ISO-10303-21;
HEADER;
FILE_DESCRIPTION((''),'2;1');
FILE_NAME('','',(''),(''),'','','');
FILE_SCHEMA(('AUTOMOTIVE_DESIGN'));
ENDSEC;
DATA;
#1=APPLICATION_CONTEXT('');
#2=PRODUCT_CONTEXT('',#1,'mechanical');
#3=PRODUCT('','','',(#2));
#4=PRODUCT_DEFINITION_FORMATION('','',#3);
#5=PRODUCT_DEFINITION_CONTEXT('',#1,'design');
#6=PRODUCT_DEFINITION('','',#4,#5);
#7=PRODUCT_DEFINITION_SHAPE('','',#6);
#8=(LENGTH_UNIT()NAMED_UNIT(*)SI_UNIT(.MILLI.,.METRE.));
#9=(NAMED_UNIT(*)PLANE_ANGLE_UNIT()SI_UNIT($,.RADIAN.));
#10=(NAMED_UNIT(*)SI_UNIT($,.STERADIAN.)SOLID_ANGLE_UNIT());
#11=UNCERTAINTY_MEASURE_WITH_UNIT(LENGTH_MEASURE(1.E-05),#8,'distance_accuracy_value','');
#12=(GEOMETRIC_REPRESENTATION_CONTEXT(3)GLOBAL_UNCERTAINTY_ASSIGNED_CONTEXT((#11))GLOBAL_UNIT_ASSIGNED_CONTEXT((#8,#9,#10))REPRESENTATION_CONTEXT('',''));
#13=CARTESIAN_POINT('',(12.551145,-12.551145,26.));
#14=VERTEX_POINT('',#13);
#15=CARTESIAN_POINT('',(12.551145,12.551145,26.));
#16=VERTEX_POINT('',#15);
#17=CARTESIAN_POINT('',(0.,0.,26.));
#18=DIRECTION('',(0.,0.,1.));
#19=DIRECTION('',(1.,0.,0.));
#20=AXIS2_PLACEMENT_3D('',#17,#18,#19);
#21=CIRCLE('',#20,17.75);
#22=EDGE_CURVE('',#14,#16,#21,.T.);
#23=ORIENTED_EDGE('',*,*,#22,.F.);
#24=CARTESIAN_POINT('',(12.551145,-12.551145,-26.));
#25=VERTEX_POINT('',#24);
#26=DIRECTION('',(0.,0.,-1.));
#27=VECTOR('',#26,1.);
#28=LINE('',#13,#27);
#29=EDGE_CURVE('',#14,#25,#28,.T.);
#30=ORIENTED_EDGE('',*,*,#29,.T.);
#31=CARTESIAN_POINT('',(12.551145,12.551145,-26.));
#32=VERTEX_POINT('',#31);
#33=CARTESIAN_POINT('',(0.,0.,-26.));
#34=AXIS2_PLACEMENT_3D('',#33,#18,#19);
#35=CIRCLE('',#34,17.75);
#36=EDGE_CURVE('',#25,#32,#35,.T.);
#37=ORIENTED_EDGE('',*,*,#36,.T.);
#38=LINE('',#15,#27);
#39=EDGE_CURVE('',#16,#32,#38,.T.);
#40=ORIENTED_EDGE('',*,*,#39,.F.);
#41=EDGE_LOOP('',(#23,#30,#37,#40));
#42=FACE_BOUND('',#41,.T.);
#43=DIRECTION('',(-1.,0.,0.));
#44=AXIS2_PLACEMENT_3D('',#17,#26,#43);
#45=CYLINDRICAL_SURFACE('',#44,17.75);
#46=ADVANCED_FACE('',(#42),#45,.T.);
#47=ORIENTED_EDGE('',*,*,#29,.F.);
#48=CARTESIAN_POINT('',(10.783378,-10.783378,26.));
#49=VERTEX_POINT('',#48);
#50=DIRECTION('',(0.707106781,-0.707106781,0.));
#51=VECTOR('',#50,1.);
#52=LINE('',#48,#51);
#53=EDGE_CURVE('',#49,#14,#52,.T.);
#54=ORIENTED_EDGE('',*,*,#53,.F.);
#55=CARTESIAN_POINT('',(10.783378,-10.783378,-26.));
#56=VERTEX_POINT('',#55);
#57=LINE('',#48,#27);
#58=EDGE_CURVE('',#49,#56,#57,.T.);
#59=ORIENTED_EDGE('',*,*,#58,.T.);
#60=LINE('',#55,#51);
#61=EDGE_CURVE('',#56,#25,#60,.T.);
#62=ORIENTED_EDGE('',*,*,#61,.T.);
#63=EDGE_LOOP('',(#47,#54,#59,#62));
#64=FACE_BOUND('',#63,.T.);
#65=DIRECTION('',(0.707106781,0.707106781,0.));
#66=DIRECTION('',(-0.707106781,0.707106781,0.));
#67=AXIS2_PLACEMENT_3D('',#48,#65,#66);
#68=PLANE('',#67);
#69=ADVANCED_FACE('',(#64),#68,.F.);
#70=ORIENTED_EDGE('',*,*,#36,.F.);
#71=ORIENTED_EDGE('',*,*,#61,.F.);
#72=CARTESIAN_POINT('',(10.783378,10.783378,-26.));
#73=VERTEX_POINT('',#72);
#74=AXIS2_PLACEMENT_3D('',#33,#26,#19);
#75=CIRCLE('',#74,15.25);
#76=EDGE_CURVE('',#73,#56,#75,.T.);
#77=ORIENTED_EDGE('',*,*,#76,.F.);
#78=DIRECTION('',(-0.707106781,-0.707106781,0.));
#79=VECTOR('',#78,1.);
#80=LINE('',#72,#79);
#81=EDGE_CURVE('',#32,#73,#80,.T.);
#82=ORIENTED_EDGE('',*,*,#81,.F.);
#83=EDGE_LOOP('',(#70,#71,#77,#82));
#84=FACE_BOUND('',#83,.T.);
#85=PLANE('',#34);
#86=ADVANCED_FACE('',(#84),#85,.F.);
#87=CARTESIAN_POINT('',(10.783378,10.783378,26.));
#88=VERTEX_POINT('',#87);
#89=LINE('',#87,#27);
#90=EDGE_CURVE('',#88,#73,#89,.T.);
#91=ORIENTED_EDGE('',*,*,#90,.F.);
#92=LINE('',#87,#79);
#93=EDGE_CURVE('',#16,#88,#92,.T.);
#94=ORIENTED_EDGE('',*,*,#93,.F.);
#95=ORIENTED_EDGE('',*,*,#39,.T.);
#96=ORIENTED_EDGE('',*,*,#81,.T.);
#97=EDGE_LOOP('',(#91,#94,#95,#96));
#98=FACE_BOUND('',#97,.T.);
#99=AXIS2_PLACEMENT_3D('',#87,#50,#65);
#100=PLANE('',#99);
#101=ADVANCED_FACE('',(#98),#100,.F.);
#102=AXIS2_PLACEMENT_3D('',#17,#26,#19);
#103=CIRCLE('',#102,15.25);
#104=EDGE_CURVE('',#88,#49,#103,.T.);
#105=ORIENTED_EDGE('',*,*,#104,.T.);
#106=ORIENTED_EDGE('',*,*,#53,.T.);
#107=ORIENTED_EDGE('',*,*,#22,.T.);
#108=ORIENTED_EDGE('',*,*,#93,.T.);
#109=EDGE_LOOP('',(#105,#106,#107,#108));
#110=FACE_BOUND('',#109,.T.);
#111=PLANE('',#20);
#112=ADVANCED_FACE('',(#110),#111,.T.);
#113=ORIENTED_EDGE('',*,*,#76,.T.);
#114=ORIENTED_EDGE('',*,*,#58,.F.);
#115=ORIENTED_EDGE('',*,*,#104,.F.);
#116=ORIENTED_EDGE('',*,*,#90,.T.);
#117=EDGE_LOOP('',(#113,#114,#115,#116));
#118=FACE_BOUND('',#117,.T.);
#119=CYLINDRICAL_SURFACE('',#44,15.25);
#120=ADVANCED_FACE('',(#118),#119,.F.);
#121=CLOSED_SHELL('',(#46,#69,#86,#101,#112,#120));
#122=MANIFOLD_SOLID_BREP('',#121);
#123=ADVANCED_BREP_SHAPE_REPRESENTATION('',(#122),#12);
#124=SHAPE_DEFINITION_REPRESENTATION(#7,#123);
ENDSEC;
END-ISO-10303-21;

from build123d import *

# Parameters (mm, degrees)
BOSS_EXTRUDE1_DEPTH = 26


with BuildPart() as part:
    # Sketch1 → Boss-Extrude1 (new, symmetric)
    with BuildSketch(Plane.XY):
        with BuildLine():
            Line((10.783378413, 10.783378413), (12.551145366, 12.551145366))
            ThreePointArc((12.551145366, 12.551145366), (17.75, 0), (12.551145366, -12.551145366))
            Line((12.551145366, -12.551145366), (10.783378413, -10.783378413))
            ThreePointArc((10.783378413, -10.783378413), (15.25, 0), (10.783378413, 10.783378413))
        make_face()
    extrude(amount=BOSS_EXTRUDE1_DEPTH, both=True)


solid = part.part
